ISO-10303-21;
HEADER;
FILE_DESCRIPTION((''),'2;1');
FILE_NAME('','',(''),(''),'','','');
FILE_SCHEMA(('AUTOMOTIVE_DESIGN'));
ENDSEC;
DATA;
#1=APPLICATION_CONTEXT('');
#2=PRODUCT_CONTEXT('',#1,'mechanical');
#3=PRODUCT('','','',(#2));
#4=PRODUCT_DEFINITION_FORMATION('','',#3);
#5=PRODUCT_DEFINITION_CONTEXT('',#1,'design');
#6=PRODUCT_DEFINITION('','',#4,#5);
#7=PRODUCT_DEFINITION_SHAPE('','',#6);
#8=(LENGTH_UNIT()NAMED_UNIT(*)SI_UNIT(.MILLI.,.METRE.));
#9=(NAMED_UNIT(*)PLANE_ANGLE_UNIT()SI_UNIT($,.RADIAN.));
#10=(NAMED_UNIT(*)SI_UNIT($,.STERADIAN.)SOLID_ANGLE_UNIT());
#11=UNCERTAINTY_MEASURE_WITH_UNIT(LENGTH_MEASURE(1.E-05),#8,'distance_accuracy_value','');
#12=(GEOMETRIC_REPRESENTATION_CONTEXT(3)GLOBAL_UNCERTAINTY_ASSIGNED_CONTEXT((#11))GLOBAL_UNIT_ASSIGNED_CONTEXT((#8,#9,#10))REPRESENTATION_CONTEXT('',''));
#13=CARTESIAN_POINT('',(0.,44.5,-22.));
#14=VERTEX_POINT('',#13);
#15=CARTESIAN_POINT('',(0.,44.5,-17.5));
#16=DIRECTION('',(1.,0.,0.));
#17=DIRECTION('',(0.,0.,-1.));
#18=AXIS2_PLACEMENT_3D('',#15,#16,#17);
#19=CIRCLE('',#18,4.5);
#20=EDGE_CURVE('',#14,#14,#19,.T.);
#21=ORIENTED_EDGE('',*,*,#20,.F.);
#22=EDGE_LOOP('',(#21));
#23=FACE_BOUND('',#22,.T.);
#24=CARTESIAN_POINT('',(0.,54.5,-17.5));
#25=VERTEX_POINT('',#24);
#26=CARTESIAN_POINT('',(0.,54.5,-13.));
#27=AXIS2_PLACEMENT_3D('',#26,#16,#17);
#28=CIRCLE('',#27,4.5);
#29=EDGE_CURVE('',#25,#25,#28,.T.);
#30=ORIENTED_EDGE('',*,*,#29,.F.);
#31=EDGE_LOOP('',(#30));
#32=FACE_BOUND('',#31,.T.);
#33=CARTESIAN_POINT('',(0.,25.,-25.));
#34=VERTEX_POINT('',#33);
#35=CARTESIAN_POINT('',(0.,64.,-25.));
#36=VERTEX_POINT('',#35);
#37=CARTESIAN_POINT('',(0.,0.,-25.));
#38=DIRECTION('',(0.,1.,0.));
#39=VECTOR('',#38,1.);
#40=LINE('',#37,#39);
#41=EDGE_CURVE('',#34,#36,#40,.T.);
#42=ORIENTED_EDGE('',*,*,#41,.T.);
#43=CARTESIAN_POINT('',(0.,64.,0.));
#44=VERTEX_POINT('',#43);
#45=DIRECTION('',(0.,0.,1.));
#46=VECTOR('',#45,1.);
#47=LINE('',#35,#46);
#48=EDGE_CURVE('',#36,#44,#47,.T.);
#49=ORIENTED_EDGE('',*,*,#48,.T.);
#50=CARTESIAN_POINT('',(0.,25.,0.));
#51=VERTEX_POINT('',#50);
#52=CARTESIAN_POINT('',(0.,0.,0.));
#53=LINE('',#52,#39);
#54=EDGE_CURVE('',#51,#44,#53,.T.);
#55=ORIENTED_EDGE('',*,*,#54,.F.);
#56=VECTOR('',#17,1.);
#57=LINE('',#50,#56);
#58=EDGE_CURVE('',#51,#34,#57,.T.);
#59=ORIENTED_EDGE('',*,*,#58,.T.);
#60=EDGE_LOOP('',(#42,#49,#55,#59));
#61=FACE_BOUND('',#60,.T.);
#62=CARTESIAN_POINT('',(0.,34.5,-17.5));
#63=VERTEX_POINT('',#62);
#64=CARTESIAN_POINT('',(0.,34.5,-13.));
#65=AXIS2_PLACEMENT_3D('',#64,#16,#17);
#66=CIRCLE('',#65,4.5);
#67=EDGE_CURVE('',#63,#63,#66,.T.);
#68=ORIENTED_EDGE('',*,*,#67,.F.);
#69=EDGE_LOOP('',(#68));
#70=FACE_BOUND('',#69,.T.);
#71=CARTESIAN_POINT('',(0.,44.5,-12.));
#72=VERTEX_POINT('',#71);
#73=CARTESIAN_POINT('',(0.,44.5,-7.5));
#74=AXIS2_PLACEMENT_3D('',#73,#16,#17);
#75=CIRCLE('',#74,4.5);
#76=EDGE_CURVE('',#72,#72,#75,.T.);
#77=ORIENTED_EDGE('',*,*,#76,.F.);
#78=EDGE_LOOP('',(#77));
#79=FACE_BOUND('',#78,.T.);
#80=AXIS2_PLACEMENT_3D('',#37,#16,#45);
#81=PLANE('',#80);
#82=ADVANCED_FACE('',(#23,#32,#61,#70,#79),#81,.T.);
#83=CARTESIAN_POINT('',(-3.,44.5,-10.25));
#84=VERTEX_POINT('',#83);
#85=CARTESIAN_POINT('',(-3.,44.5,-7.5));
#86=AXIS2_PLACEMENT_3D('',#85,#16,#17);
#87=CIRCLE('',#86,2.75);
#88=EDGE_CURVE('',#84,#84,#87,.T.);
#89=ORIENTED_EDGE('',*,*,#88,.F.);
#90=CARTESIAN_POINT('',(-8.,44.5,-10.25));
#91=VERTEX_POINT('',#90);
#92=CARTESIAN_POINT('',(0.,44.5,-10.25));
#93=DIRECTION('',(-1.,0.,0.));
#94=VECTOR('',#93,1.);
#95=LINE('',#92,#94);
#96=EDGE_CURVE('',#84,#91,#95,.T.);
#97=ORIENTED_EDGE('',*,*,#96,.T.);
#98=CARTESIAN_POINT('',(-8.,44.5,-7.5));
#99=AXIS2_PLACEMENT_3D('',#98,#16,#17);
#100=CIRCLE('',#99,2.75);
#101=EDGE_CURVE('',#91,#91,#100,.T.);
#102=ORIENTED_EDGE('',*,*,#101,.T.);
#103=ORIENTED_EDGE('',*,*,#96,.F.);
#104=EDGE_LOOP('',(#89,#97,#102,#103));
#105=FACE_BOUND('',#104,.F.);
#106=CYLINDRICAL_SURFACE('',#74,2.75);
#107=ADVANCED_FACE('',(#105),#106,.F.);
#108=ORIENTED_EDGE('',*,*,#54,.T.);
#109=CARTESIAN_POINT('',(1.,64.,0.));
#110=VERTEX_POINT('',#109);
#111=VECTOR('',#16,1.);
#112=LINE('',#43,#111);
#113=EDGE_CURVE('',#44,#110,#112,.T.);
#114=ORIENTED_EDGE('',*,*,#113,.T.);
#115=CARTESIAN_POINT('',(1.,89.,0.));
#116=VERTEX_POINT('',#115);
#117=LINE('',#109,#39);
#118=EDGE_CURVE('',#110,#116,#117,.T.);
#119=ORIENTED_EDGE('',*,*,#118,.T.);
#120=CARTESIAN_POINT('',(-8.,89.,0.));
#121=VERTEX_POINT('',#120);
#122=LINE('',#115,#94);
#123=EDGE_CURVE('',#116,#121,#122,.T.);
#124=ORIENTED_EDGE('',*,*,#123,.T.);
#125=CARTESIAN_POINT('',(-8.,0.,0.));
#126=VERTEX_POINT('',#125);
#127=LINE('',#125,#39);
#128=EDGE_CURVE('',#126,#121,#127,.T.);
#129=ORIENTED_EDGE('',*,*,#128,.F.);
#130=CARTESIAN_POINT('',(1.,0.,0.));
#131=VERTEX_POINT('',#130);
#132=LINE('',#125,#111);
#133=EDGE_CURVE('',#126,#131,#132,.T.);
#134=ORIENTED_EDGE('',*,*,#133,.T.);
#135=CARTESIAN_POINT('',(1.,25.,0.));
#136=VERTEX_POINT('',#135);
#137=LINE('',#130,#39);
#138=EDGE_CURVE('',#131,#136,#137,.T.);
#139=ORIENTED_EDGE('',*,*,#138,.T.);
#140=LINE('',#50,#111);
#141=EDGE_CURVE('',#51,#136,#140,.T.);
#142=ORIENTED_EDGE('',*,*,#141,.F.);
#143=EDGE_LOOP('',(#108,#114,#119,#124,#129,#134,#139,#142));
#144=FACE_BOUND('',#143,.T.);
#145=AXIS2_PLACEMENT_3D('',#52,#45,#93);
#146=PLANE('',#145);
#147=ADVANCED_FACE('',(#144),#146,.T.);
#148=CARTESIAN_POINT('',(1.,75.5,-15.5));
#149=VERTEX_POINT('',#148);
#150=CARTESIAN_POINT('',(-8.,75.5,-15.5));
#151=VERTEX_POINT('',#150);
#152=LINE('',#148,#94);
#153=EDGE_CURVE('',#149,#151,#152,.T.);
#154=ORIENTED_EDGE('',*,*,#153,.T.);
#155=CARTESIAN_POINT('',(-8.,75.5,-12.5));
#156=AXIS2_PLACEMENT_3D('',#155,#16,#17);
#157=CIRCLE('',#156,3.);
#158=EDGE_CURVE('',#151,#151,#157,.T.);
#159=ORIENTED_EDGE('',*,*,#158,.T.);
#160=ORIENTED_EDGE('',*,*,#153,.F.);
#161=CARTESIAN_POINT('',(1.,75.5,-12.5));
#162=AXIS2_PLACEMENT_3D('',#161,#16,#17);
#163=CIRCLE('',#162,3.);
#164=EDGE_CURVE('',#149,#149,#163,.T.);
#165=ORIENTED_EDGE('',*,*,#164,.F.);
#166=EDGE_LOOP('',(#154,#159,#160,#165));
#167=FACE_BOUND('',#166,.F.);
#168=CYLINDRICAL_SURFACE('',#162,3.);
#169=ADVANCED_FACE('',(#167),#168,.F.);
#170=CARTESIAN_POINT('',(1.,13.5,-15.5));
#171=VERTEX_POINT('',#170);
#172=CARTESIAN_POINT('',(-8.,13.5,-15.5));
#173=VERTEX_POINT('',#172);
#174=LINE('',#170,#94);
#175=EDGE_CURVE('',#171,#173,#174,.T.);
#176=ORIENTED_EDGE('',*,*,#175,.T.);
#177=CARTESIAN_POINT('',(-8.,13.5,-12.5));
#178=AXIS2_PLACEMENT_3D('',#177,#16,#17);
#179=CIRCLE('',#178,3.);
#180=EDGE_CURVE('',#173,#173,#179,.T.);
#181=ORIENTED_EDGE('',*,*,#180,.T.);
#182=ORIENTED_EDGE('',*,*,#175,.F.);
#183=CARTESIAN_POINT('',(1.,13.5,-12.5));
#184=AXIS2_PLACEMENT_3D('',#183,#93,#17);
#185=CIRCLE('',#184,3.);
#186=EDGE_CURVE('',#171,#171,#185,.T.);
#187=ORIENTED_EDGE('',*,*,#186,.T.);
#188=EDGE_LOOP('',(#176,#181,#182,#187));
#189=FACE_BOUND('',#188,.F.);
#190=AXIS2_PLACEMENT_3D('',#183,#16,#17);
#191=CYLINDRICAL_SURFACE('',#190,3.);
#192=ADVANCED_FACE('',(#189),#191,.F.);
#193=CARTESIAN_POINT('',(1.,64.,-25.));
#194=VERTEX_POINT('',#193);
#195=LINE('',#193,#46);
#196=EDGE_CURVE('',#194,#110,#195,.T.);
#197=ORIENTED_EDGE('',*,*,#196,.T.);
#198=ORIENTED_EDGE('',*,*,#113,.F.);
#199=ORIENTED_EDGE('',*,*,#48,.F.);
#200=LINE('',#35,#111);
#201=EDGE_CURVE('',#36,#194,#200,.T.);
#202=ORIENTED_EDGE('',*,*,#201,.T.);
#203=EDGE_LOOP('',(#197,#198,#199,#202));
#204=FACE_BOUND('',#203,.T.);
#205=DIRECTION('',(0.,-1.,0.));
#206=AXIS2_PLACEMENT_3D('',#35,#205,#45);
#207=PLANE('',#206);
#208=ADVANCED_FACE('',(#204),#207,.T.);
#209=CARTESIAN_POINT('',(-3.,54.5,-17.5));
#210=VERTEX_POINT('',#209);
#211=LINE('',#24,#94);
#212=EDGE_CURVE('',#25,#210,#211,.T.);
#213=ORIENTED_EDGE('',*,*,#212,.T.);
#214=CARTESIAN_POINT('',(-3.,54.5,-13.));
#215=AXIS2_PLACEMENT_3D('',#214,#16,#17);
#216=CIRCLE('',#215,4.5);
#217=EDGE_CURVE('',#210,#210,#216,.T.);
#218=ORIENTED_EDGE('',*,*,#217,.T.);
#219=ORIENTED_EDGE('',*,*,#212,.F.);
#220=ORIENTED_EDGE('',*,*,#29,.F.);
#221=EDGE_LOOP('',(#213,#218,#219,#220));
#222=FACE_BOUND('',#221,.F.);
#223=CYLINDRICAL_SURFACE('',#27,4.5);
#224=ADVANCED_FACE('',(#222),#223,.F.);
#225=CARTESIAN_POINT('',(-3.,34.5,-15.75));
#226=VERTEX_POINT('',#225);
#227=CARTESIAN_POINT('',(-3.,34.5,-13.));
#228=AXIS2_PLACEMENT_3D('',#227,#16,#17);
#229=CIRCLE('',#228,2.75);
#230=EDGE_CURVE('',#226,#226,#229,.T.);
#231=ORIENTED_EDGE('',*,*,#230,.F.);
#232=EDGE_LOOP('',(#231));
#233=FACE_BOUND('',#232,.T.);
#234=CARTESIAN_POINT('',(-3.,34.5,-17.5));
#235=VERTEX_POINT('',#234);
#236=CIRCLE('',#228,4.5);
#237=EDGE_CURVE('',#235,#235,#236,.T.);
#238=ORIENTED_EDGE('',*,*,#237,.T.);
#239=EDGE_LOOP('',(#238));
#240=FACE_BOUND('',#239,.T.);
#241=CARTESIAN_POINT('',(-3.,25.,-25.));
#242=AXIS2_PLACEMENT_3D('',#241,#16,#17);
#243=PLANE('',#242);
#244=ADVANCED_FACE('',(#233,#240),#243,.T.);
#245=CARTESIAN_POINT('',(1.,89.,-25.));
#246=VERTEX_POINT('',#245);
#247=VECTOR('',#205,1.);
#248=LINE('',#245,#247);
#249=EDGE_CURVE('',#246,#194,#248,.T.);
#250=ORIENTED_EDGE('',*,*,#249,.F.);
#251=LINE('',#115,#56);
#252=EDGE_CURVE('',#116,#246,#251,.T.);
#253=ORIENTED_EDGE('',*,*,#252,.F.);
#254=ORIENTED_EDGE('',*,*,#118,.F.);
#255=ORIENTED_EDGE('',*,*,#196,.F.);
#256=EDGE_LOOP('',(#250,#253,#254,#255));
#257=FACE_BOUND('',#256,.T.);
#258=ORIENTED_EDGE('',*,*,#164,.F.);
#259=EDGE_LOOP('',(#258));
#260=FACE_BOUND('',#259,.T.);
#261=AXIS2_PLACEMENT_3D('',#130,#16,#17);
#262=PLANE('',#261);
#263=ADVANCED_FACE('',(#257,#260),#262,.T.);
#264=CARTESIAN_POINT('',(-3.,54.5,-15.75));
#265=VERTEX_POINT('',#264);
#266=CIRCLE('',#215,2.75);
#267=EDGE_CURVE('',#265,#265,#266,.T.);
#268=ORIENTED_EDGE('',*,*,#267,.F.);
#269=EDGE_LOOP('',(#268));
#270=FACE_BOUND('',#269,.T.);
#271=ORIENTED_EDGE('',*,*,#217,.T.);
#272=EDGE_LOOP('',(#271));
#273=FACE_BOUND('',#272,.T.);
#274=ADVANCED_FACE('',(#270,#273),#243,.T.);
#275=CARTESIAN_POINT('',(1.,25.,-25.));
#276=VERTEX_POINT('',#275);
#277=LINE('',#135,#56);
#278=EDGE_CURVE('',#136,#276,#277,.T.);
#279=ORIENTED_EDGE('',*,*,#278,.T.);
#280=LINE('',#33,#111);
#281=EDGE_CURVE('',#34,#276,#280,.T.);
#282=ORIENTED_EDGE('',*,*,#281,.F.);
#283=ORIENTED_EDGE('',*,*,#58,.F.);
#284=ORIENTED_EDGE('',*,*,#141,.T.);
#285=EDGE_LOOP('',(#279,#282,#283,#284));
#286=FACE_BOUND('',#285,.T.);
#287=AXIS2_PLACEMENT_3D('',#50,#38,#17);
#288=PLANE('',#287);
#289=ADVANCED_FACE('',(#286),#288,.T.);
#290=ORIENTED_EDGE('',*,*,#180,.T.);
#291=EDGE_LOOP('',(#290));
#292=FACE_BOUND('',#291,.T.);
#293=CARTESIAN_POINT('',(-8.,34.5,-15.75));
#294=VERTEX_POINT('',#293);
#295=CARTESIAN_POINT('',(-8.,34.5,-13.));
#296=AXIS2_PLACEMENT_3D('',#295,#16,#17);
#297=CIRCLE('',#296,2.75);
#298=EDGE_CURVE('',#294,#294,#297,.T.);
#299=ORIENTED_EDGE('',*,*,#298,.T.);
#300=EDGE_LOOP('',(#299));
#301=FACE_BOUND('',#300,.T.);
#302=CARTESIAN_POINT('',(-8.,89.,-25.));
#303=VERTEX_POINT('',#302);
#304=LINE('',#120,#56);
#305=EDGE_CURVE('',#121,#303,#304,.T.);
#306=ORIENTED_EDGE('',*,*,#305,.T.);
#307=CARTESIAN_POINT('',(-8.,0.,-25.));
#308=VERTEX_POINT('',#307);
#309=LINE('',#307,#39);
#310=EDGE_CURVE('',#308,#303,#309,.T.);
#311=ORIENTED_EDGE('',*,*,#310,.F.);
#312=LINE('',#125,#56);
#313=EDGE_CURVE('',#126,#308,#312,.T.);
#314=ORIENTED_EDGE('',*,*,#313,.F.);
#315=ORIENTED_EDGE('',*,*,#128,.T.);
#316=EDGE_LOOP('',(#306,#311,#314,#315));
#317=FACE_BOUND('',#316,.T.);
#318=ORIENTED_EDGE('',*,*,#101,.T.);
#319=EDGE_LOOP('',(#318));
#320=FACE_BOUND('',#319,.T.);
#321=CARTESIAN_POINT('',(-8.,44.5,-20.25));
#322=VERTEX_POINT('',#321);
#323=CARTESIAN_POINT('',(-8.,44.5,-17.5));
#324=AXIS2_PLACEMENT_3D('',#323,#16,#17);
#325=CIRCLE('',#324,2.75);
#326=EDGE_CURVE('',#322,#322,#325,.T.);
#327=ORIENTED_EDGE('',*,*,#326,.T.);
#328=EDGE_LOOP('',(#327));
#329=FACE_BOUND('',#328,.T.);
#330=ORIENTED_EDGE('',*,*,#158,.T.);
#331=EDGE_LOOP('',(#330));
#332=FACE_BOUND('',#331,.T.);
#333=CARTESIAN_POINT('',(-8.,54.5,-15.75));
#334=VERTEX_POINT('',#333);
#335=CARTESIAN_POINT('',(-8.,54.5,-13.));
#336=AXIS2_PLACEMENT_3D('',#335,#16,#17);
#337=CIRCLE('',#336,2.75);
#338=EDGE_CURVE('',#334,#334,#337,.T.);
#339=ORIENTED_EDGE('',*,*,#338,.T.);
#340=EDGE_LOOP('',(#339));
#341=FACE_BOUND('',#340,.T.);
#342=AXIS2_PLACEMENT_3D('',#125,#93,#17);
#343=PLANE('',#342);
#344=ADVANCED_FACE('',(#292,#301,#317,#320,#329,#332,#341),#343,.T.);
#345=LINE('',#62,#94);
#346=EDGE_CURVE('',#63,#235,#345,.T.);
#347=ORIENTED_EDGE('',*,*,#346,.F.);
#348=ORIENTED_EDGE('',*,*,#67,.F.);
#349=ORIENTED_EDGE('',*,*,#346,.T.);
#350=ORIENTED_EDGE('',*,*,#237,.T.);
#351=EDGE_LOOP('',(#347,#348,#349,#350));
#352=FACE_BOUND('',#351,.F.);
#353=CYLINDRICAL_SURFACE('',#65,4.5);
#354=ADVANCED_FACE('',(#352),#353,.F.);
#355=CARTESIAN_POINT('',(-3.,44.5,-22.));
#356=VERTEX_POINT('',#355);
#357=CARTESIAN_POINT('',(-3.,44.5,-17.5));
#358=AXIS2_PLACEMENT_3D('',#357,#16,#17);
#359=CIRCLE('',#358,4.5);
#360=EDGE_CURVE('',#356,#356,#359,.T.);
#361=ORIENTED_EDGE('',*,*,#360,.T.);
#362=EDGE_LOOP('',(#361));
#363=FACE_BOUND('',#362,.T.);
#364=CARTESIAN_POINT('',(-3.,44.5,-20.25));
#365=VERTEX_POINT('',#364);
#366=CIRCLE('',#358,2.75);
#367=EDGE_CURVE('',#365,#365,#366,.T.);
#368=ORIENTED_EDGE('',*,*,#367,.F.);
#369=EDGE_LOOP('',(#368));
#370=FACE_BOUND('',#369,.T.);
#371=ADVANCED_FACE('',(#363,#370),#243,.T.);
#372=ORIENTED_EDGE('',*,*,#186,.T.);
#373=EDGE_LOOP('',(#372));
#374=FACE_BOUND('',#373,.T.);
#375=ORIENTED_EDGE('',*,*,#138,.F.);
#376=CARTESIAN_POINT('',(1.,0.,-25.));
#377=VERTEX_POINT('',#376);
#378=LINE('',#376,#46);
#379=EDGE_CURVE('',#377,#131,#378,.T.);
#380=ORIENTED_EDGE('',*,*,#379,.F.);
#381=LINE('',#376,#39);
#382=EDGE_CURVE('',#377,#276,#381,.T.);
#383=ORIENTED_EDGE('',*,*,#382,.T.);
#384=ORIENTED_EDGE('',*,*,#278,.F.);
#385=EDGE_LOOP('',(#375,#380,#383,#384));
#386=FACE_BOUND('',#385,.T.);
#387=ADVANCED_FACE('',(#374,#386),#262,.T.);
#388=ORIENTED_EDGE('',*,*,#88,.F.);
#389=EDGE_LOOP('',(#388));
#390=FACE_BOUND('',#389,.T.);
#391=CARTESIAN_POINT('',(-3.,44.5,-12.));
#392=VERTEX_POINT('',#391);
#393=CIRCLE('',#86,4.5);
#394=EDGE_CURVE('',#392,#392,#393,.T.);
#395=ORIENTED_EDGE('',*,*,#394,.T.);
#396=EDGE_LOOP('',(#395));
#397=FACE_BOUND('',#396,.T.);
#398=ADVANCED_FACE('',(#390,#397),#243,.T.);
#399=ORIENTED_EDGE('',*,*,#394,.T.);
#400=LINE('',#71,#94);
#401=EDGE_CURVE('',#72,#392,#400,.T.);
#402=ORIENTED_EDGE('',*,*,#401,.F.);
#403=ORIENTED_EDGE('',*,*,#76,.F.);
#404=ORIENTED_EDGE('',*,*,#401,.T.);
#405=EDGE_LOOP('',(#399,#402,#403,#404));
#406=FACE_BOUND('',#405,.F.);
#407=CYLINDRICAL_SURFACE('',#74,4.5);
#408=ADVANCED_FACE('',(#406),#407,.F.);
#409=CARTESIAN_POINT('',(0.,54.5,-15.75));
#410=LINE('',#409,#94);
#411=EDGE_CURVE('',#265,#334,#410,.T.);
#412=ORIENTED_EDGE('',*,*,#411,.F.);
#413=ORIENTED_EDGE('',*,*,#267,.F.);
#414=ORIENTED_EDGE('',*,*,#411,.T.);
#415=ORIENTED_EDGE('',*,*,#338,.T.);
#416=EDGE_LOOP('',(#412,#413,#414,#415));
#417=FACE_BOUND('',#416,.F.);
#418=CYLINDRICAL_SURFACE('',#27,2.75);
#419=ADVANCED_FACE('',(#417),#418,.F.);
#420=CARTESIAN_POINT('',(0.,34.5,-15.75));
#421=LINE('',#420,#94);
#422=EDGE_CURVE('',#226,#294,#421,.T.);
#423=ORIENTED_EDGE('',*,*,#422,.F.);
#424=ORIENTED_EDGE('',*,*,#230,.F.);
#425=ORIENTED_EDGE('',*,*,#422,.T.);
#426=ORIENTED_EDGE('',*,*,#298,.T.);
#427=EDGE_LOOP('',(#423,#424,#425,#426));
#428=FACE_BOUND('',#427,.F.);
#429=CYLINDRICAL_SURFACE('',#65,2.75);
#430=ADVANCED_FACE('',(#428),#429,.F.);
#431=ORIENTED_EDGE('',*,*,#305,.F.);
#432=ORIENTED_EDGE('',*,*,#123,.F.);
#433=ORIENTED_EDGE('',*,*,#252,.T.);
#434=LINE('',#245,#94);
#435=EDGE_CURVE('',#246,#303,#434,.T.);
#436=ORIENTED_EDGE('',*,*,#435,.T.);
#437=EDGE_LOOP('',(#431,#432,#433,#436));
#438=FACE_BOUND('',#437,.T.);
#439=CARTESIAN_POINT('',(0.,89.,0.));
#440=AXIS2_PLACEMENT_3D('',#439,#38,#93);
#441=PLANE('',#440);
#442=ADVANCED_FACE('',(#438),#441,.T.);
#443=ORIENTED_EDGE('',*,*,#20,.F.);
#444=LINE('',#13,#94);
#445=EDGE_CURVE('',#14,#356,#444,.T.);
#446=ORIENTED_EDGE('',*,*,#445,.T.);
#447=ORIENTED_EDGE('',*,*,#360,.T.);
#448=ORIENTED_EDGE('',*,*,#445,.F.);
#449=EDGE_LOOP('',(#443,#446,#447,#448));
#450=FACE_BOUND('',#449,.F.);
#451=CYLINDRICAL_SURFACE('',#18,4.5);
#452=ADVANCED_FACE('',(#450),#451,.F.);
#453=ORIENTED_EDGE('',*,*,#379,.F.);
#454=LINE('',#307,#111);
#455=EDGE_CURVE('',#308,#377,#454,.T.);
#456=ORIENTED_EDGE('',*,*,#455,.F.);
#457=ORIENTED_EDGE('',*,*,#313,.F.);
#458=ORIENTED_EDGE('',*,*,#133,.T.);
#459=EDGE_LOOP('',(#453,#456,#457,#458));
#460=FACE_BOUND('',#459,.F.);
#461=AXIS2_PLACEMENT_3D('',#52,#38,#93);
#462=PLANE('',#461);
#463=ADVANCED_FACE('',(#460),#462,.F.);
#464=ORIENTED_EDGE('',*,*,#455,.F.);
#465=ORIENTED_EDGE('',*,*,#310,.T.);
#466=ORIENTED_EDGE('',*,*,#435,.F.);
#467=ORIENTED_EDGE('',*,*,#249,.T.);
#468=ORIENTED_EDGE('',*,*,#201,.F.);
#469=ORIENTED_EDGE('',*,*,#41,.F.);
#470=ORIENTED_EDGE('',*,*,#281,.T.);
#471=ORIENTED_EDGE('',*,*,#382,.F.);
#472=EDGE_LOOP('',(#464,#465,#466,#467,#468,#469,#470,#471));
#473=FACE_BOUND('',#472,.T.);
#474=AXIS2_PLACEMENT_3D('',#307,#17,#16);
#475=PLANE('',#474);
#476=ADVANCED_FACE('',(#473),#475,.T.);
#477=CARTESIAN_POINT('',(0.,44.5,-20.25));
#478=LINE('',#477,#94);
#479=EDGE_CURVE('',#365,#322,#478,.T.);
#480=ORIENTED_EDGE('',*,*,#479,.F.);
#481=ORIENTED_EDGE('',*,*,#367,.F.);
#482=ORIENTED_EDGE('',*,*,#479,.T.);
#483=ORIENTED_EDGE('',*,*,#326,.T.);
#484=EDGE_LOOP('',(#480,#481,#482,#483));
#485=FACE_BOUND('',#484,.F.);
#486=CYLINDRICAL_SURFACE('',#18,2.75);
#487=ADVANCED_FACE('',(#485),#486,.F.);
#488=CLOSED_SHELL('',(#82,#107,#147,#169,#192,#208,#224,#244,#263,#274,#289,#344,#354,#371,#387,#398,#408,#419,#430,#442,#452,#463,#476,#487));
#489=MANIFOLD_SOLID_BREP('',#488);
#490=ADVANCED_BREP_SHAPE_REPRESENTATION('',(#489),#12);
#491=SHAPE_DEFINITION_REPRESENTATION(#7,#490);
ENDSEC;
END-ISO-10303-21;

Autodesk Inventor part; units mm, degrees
ref_plane "YZ Plane" through (0, 0, 0) normal (1, 0, 0) x (0, 1, 0)
ref_plane "XZ Plane" through (0, 0, 0) normal (0, 1, 0) x (-1, 0, 0)
ref_plane "XY Plane" through (0, 0, 0) normal (0, 0, 1) x (1, 0, 0)
sketch "Sketch1" plane through (0, 0, 0) normal (0, 1, 0) x (-1, 0, 0)
  line L0 (0, 0) -> (8, 0)
  line L1 (8, 0) -> (8, -25)
  line L2 (8, -25) -> (0, -25)
  line L3 (0, -25) -> (0, 0)
  dimension "d0" = 8
  dimension "d1" = 25
extrude "Extrusion1" add sketch "Sketch1" along normal blind 89
sketch "Sketch2" plane through (0, 0, 0) normal (1, 0, 0) x (0, 0, -1)
  line L0 (0, 89) -> (25, 89) projected
  line L1 (0, 89) -> (25, 89)
  line L2 (25, 89) -> (25, 64)
  line L3 (25, 64) -> (0, 64)
  line L4 (0, 64) -> (0, 89)
  line L5 (25, 0) -> (25, 89) projected
  line L6 (25, 0) -> (0, 0)
  line L7 (0, 0) -> (0, 25)
  line L8 (0, 25) -> (25, 25)
  line L9 (25, 25) -> (25, 0)
  dimension "d4" = 25
  dimension "d5" = 25
  dimension "d6" = 25
  dimension "d7" = 25
extrude "Extrusion2" add sketch "Sketch2" along normal blind 1
sketch "Sketch3" plane through (1, 0, 0) normal (1, 0, 0) x (0, 0, -1)
  line L0 (0, 0) -> (25, 0) projected
  line L1 (0, 0) -> (12.5, 0)
  line L2 (12.5, 0) -> (12.5, 13.5)
  circle A0 centre (12.5, 13.5) radius 3
  circle A1 centre (12.5, 75.5) radius 3
  line L3 (25, 89) -> (0, 89) projected
  line L4 (0, 89) -> (0, 64) projected
  dimension "d10" = 13.5
  dimension "d11" = 6
  dimension "d12" = 6
  dimension "d13" = 13.5
  dimension "d14" = 12.5
sketch "Sketch4" plane through (0, 25, -25) normal (1, 0, 0) x (0, 0, -1)
  circle A0 centre (-17.5, 19.5) radius 2.75
  line L0 (-25, -25) -> (0, -25) projected
  line L1 (-25, 0) -> (-25, 39) projected
  circle A1 centre (-7.5, 19.5) radius 2.75
  line L2 (0, 0) -> (0, 39) projected
  circle A2 centre (-12, 9.5) radius 2.75
  circle A3 centre (-12, 29.5) radius 2.75
  dimension "d15" = 5.5
  dimension "d16" = 44.5
  dimension "d17" = 7.5
  dimension "d18" = 5.5
  dimension "d19" = 7.5
  dimension "d20" = 44.5
  dimension "d21" = 5.5
  dimension "d22" = 5.5
  dimension "d23" = 10
  dimension "d24" = 4.5
  dimension "d25" = 10
  dimension "d26" = 4.5
extrude "Extrusion3" cut sketch "Sketch3" against normal up to next
extrude "Extrusion4" cut sketch "Sketch4" against normal up to next
sketch "Sketch6" plane through (0, 25, -25) normal (1, 0, 0) x (0, 0, -1)
  circle A0 centre (-12, 29.5) radius 2.75 projected
  circle A1 centre (-12, 29.5) radius 2.5
  circle A2 centre (-7.5, 19.5) radius 2.75 projected
  circle A3 centre (-7.5, 19.5) radius 2.5
  circle A4 centre (-12, 9.5) radius 2.75 projected
  circle A5 centre (-12, 9.5) radius 2.5
  circle A6 centre (-17.5, 19.5) radius 2.75 projected
  circle A7 centre (-17.5, 19.5) radius 2.5
  circle A8 centre (-17.5, 19.5) radius 4.5
  circle A9 centre (-12, 29.5) radius 4.5
  circle A10 centre (-12, 9.5) radius 4.5
  circle A11 centre (-7.5, 19.5) radius 4.5
  point P0 (-25, -25)
  dimension "d37" = 9
  dimension "d38" = 9
  dimension "d39" = 9
  dimension "d40" = 5.5
  dimension "d41" = 5.5
  dimension "d43" = 9
extrude "Extrusion6" cut sketch "Sketch6" against normal blind 3 contours A8 | A9 | A10 | A11
properties part number "Back_Bracket_40mm" material "ABS Plastic"
